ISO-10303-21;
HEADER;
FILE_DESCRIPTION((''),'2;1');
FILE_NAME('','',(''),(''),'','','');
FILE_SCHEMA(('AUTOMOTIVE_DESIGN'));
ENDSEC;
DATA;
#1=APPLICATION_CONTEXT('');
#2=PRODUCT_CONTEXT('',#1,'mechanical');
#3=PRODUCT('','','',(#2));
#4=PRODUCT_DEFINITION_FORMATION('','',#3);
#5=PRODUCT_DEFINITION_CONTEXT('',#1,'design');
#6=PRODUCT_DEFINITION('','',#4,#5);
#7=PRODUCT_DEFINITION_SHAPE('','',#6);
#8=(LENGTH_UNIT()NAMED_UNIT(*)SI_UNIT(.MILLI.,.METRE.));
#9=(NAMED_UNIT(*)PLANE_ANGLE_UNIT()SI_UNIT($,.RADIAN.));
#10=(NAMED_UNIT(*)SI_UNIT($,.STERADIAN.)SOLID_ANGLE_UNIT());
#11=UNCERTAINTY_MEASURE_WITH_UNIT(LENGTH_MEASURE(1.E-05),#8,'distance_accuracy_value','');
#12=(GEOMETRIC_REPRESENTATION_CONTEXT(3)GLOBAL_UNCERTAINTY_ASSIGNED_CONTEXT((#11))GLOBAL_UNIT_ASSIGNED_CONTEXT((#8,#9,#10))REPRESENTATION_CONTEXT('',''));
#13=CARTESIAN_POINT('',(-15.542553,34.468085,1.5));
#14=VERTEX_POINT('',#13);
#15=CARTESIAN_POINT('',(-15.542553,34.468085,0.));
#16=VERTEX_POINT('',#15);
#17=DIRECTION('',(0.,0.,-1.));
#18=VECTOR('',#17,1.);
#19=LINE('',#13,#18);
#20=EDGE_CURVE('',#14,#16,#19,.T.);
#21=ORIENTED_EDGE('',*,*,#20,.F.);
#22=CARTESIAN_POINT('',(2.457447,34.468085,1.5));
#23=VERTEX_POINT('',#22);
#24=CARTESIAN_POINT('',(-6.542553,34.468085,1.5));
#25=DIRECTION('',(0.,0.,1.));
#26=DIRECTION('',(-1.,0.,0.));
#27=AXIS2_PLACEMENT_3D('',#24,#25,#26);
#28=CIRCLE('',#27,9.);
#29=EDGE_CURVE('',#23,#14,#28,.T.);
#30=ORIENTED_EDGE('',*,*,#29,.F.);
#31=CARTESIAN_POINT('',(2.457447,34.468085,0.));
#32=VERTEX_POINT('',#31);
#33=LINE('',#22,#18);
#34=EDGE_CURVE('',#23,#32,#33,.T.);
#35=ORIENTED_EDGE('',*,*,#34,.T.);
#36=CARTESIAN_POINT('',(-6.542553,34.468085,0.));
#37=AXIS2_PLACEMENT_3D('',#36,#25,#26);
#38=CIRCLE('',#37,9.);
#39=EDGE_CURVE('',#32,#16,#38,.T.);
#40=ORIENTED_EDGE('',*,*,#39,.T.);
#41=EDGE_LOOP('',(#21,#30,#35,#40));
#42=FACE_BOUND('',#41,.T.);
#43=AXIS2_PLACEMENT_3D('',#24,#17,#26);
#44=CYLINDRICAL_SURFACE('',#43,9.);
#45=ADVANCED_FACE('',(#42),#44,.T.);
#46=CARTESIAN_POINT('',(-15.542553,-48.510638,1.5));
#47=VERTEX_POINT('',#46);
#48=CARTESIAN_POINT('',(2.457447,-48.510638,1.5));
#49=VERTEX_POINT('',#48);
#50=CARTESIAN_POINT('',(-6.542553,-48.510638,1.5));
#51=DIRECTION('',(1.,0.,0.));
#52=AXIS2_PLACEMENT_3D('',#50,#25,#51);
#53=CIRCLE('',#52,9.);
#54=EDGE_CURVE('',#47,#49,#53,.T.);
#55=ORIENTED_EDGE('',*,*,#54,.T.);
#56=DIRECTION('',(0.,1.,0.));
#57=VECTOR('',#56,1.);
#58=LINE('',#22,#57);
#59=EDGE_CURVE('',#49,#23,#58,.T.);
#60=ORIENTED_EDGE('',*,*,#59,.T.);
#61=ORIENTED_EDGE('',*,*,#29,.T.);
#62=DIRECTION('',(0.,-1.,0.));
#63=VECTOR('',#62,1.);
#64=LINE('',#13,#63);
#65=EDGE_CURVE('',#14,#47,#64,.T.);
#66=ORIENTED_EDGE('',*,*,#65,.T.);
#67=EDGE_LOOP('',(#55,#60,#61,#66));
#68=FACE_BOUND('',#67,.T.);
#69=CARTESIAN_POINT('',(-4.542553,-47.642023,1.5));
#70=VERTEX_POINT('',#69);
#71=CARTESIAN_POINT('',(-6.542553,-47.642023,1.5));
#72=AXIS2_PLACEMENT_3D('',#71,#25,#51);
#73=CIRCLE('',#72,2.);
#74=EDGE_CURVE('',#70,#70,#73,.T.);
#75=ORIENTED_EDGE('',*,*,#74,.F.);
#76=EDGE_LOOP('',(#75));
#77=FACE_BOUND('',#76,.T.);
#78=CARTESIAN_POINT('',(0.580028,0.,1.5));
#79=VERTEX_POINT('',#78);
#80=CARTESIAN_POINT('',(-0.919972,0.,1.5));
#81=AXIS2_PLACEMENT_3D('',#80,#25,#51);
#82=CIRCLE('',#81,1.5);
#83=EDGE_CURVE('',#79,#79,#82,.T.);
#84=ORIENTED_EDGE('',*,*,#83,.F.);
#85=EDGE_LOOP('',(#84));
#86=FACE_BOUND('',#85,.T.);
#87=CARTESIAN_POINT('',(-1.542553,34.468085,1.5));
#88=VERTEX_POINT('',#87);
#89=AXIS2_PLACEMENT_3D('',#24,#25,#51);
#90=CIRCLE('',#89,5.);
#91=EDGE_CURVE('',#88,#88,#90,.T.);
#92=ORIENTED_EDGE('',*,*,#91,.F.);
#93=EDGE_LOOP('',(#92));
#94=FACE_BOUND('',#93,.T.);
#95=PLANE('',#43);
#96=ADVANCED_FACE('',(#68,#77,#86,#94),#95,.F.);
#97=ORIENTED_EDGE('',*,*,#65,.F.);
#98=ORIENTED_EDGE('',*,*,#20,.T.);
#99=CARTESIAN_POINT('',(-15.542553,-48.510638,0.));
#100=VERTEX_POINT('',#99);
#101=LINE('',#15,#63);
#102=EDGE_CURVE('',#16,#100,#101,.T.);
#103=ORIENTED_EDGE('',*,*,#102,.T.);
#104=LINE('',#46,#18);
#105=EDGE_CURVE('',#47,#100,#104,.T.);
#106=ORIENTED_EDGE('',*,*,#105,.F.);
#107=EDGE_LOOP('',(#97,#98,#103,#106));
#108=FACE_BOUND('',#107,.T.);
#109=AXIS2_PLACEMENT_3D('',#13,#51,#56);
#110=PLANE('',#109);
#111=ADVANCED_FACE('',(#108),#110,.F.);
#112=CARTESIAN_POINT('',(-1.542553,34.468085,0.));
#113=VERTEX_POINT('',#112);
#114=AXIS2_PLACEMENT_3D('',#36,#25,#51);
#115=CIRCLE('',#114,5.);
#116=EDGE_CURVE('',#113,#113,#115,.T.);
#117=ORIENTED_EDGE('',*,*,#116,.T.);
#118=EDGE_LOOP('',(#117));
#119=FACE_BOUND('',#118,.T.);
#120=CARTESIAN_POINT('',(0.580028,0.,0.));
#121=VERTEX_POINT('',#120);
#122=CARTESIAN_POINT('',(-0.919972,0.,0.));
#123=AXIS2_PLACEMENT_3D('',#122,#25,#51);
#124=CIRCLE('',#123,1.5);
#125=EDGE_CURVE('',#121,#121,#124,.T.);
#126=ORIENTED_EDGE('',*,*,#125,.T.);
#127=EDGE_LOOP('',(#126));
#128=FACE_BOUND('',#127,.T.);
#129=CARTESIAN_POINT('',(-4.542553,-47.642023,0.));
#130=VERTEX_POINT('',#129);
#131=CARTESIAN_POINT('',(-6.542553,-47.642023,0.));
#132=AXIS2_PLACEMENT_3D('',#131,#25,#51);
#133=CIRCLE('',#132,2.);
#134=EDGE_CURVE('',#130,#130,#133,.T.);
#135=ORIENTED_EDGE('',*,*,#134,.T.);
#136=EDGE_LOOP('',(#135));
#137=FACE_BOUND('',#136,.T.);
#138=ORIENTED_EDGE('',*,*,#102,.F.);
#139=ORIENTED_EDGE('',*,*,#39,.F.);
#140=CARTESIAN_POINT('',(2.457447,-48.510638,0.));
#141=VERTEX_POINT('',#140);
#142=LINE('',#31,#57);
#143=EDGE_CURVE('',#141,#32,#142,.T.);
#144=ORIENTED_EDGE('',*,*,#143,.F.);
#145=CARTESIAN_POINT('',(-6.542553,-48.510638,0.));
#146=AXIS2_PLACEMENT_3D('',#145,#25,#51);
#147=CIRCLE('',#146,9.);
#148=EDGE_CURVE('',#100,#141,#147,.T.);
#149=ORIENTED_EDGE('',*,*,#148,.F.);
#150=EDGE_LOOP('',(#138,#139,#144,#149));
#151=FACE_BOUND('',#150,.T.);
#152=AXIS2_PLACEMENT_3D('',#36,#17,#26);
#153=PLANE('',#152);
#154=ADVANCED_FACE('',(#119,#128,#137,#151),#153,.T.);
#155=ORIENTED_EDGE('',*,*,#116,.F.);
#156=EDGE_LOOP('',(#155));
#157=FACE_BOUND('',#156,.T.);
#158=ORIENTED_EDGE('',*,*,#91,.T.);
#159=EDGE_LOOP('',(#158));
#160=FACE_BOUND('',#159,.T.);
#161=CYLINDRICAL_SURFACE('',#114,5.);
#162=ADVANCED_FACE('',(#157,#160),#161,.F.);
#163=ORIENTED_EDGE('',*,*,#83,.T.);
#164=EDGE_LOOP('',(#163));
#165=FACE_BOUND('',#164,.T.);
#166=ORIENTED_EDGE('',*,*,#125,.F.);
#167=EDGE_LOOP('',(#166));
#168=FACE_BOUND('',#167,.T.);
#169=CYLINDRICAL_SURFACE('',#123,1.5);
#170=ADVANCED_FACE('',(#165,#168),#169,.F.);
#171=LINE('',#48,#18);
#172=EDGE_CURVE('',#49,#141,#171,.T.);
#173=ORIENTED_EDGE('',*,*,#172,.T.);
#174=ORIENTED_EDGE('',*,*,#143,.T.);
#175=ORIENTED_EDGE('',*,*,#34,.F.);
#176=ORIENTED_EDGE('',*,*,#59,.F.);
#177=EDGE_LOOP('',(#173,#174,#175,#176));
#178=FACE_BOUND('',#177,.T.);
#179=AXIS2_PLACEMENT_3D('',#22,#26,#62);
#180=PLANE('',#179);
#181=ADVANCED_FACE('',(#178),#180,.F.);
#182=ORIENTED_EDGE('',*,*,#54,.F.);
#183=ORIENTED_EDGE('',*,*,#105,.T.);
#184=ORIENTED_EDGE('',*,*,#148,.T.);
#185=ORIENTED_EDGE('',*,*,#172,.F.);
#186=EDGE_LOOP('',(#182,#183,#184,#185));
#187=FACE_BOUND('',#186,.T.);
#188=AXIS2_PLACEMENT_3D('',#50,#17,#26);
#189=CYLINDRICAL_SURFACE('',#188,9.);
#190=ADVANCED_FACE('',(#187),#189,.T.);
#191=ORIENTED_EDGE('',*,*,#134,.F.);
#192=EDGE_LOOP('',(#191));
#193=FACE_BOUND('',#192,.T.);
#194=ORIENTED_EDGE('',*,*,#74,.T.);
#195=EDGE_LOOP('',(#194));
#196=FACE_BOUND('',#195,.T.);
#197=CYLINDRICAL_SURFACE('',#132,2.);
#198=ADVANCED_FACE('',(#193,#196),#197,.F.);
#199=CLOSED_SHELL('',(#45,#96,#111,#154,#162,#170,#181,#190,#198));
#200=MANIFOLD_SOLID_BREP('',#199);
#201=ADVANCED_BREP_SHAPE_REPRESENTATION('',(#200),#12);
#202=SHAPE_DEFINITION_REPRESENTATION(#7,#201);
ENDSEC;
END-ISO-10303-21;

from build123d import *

# Parameters (mm, degrees)
BOSS_EXTRUDE1_DEPTH = 1.5
SKETCH2_R           = 5
SKETCH2_R_2         = 1.5
SKETCH2_R_3         = 2
CUT_EXTRUDE1_DEPTH  = 1.5


with BuildPart() as part:
    # Sketch1 → Boss-Extrude1 (new body)
    with BuildSketch(Plane.XY):
        with BuildLine():
            Line((-15.542553191, 34.468085106), (-15.542553191, -48.510638298))
            ThreePointArc((-15.542553191, -48.510638298), (-6.542553191, -57.510638298), (2.457446809, -48.510638298))
            Line((2.457446809, -48.510638298), (2.457446809, 34.468085106))
            ThreePointArc((2.457446809, 34.468085106), (-6.542553191, 43.468085106), (-15.542553191, 34.468085106))
        make_face()
    extrude(amount=BOSS_EXTRUDE1_DEPTH)

    # Sketch2 → Cut-Extrude1 (cut)
    with BuildSketch(Plane.XY.offset(1.5)):
        with Locations((-6.542553191, 34.468085106)):
            Circle(SKETCH2_R)
        with Locations((-0.919972029, 0)):
            Circle(SKETCH2_R_2)
        with Locations((-6.542553191, -47.642022548)):
            Circle(SKETCH2_R_3)
    extrude(amount=-CUT_EXTRUDE1_DEPTH, mode=Mode.SUBTRACT)


solid = part.part
